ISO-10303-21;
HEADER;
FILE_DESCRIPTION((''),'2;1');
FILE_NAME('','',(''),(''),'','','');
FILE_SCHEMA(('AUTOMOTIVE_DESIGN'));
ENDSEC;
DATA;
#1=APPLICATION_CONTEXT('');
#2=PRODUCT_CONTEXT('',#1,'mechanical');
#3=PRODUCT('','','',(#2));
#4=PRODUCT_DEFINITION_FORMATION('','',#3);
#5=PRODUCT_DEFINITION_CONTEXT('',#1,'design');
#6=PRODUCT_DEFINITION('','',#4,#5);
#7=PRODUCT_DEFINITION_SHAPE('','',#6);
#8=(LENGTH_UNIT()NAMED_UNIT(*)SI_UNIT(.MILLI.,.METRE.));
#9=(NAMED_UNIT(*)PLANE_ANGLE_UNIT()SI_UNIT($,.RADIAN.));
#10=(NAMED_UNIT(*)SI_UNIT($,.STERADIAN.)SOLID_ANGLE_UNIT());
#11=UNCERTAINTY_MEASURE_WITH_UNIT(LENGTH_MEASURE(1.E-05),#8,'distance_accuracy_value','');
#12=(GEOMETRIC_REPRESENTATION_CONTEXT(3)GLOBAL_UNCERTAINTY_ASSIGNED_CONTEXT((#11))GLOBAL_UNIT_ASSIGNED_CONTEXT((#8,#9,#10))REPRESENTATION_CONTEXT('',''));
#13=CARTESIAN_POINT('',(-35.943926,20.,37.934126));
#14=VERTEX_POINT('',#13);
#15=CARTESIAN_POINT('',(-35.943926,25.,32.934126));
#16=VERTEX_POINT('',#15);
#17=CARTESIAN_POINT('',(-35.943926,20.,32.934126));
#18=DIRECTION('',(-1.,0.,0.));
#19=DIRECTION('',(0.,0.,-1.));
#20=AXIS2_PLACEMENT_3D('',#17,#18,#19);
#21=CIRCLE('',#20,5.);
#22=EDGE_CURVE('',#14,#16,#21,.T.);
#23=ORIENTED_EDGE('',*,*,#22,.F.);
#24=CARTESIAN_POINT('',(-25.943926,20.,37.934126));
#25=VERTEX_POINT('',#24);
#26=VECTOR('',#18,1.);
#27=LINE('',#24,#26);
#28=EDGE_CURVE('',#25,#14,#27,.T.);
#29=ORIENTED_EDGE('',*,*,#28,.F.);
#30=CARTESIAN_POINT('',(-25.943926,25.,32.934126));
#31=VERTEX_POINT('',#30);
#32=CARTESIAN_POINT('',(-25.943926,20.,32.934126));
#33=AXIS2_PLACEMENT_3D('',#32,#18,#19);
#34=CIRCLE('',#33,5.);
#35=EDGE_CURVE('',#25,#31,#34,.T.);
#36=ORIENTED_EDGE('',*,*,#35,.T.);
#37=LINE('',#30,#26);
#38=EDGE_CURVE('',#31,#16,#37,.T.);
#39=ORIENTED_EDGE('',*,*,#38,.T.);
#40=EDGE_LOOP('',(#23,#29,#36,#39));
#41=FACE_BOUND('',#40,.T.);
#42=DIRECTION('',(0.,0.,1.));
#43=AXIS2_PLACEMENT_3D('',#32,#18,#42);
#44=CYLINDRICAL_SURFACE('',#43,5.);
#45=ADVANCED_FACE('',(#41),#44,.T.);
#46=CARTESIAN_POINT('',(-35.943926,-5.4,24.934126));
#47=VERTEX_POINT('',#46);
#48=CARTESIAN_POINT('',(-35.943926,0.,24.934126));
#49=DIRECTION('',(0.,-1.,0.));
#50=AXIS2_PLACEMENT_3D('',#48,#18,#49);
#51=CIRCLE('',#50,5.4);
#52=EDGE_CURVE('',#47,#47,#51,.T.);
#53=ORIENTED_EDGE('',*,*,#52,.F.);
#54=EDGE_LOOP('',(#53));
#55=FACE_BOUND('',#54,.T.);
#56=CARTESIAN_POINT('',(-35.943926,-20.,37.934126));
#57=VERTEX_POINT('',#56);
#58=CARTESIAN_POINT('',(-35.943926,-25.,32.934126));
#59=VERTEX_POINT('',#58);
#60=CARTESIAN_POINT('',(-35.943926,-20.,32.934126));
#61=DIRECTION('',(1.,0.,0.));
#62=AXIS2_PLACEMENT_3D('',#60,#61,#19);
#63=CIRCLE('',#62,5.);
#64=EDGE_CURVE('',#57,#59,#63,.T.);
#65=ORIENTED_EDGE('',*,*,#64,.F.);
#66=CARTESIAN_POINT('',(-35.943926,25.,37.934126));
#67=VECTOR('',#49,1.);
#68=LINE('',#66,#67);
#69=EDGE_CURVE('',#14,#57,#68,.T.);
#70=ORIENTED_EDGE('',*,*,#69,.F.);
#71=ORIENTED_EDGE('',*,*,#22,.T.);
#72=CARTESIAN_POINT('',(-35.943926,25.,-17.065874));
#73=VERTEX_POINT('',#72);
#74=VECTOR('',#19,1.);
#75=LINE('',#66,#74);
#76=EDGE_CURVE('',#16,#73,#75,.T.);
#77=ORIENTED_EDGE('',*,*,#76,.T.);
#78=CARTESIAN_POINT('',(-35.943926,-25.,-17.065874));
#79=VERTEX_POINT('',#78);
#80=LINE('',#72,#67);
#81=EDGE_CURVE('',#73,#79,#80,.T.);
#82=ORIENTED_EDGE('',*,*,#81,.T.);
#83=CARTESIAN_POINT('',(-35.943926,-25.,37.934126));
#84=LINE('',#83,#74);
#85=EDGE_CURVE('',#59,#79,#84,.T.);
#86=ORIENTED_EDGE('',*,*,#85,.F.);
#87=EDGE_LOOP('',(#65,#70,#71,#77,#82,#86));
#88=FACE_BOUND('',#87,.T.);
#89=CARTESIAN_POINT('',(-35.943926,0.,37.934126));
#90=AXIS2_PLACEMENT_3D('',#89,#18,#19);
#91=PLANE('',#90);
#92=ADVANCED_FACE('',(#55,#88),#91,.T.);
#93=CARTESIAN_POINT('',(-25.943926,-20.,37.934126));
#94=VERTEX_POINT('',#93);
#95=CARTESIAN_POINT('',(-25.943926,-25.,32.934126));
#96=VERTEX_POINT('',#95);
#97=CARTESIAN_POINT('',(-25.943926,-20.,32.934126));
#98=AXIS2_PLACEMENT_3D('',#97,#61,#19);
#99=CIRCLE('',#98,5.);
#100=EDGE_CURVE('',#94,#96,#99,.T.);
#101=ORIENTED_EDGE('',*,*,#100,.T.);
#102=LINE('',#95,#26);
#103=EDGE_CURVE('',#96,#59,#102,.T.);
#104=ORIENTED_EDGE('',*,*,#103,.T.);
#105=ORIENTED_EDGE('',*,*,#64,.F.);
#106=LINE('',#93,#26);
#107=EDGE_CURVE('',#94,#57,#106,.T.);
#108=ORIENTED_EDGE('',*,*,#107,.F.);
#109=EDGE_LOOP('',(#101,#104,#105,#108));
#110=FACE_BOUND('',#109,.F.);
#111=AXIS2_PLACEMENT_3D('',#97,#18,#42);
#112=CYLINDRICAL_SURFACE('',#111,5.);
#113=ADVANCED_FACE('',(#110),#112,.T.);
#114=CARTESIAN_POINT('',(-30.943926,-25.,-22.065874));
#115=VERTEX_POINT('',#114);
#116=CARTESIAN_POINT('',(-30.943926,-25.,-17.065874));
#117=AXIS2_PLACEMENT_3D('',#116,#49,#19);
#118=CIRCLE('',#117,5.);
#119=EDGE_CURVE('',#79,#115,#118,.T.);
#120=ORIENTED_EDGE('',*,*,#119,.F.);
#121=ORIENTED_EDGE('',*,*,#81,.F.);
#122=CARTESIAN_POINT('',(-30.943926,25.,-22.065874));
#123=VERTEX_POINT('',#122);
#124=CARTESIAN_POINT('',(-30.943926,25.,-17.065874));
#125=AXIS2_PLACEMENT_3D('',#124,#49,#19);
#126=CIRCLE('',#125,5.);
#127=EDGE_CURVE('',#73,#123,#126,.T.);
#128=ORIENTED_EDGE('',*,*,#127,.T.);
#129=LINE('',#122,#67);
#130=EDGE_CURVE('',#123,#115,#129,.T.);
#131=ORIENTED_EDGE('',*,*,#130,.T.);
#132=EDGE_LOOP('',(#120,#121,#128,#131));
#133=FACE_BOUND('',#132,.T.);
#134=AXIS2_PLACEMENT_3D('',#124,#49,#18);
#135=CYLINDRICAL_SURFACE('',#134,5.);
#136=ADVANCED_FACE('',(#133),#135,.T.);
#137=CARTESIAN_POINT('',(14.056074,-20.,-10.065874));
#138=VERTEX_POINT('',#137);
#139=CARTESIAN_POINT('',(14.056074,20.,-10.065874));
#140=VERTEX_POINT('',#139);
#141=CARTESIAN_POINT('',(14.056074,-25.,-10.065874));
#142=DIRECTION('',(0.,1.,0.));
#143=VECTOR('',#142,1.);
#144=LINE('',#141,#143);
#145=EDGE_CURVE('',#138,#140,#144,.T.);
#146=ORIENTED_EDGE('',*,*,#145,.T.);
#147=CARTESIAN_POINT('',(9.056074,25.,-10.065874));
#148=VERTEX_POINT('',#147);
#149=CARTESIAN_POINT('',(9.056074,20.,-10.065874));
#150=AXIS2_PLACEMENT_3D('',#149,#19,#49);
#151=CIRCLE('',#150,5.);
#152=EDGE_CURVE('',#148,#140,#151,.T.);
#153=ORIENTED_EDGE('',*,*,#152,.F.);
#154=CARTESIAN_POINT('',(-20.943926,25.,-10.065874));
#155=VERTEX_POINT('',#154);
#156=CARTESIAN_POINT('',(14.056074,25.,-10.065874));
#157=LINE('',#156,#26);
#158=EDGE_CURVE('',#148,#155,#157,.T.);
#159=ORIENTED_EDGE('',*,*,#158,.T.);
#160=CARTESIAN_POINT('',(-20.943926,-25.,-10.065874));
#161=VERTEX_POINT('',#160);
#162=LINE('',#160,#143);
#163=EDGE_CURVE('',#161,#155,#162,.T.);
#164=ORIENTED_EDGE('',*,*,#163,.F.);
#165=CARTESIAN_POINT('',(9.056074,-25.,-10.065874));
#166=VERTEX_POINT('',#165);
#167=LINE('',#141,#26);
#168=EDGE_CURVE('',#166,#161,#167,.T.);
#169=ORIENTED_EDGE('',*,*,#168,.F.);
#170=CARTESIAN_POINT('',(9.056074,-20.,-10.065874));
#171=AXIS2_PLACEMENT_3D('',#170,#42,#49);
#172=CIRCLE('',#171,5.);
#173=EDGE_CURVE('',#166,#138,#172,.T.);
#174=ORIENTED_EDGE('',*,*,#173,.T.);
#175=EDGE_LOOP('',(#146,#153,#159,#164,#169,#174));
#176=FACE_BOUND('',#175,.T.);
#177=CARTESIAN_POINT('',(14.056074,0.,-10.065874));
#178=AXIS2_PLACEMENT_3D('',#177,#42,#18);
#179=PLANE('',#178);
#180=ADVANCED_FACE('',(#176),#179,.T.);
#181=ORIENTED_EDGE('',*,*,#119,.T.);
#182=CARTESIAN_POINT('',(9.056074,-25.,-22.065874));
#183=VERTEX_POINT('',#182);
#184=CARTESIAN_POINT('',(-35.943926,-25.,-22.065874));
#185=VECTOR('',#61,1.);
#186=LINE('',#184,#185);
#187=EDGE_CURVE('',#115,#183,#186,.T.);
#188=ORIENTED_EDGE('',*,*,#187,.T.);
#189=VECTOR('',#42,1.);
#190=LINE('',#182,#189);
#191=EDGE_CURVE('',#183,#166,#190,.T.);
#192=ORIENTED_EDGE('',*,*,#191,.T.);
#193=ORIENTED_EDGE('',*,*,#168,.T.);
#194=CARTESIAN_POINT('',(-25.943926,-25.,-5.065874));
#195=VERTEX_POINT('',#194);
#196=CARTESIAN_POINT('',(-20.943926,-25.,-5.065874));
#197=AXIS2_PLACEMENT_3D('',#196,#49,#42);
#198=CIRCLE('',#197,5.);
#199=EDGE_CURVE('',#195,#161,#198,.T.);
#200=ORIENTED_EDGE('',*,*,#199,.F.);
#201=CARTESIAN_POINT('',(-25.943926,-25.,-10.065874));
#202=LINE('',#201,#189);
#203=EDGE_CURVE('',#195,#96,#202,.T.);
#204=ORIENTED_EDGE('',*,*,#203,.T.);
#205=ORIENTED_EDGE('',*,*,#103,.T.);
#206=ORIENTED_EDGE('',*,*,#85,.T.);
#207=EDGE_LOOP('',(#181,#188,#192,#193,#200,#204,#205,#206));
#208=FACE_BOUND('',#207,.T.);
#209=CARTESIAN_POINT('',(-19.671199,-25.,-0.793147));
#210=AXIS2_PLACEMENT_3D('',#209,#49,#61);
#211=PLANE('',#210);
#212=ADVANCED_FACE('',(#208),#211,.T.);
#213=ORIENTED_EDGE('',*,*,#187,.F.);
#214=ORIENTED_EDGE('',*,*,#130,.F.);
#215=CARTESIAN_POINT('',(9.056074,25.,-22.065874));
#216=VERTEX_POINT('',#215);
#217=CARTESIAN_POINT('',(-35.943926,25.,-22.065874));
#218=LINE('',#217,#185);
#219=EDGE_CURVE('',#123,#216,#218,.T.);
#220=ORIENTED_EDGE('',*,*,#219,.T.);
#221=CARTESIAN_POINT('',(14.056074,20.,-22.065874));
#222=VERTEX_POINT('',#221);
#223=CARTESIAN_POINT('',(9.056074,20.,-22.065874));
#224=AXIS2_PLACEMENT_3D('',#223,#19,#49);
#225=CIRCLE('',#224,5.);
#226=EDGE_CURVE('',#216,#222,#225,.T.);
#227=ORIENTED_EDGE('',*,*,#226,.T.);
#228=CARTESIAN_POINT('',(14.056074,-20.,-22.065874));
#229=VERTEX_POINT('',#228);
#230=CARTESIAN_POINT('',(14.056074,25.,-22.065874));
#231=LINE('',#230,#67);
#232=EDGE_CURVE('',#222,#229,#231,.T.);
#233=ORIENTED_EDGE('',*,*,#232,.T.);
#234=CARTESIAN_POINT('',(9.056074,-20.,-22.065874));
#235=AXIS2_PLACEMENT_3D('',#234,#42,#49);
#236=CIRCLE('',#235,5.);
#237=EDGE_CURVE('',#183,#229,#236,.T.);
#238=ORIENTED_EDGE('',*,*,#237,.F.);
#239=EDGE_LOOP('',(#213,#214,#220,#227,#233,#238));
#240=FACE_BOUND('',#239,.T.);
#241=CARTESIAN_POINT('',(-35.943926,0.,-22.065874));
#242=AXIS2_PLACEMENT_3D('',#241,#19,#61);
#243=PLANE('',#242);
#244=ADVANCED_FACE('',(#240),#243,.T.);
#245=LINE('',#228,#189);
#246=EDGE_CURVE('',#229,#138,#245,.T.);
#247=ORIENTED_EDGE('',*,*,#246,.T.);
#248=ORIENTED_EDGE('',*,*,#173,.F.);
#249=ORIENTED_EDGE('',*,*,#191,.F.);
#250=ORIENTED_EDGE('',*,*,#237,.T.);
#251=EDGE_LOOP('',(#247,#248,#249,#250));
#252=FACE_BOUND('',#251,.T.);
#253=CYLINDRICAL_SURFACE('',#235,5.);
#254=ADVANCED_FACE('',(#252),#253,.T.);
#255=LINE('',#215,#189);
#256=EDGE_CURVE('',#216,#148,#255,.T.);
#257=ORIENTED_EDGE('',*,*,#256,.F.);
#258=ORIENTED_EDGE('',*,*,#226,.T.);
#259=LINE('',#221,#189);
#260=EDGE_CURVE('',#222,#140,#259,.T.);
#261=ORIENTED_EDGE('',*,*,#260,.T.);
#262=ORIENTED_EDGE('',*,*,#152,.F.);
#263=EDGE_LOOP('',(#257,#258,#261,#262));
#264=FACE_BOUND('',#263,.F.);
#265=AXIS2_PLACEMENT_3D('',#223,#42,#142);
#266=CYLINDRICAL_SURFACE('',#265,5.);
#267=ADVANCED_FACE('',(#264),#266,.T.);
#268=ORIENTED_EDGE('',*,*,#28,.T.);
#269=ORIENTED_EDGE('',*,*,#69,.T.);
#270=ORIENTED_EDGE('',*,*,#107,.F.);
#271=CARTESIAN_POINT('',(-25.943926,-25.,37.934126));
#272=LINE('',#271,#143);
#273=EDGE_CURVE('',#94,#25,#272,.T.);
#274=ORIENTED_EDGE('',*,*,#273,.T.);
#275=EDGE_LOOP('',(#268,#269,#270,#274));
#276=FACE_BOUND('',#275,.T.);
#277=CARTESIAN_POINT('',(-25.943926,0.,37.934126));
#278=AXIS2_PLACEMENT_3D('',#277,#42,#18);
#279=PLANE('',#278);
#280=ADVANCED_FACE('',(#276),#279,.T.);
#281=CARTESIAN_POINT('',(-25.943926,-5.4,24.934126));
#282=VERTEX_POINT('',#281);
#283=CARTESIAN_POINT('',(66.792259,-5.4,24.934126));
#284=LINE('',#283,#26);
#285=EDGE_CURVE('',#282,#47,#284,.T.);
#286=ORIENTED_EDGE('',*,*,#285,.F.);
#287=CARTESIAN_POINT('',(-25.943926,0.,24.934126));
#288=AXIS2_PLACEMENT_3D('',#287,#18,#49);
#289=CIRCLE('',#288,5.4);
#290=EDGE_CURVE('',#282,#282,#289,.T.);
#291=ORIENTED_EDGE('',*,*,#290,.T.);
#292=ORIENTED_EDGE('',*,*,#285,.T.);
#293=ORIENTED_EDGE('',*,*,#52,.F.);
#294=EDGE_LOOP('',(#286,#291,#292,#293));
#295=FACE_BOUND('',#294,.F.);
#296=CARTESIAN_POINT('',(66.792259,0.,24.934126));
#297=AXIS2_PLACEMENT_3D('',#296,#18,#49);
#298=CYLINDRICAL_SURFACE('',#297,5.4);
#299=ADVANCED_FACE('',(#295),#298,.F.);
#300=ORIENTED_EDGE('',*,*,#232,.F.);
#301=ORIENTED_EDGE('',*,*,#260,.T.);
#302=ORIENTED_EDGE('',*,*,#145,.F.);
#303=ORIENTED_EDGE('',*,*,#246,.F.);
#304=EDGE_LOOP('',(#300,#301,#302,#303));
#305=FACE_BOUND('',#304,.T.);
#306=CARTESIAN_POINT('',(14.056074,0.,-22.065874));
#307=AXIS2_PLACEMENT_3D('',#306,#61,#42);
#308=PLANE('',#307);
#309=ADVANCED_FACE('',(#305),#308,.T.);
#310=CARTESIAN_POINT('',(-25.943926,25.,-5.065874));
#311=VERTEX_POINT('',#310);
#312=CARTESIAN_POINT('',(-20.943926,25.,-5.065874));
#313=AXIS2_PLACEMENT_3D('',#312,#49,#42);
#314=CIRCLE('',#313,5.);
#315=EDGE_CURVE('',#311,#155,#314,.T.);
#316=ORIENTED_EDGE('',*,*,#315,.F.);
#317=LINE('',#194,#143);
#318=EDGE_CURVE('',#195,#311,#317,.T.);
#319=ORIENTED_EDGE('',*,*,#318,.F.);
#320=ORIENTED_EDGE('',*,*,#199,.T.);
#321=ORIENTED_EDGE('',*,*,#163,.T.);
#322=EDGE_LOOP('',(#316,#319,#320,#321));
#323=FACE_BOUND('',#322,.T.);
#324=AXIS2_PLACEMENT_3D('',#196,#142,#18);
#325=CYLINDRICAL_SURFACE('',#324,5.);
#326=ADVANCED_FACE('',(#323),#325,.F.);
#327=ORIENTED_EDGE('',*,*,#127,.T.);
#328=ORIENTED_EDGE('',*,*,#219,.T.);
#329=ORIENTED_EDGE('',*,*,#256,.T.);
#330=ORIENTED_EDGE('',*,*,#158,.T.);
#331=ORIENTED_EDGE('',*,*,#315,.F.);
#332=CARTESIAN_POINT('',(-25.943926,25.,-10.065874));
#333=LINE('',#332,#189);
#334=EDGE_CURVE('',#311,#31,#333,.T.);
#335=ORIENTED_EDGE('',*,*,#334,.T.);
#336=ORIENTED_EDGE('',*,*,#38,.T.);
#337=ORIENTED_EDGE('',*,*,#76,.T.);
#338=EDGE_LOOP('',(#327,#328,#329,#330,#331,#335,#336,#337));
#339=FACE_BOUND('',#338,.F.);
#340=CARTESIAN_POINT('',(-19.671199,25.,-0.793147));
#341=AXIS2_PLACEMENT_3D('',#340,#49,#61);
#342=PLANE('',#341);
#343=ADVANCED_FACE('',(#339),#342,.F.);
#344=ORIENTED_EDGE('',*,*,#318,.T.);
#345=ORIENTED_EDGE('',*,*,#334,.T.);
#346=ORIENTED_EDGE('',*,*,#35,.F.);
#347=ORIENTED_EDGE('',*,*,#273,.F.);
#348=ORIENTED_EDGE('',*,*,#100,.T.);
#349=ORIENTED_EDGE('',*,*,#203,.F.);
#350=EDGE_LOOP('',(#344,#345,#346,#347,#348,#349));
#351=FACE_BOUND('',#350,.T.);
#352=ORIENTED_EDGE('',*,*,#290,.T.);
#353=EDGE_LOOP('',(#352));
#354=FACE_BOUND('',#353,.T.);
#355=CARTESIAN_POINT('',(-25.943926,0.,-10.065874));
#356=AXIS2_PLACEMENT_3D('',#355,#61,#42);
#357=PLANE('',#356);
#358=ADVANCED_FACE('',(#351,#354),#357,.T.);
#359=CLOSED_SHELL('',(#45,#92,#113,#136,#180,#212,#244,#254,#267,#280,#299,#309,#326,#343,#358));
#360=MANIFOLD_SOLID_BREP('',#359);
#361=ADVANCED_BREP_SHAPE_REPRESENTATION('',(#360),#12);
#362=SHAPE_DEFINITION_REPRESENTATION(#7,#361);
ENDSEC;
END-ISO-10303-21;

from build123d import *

# Parameters (mm, degrees)
F1_DEPTH = 25
F3_D     = 10.8
F4_R     = 5


with BuildPart() as f1:
    # F0 (on Front) → F1 (new body, symmetric)
    with BuildSketch(Plane.XZ):
        Polygon((-25.943926, 37.934126), (-35.943926, 37.934126), (-35.943926, -22.065874), (14.056074, -22.065874), (14.056074, -10.065874), (-25.943926, -10.065874), align=None)
    extrude(amount=F1_DEPTH, both=True)

    # F3 (through all)
    with Locations(Plane.YZ.offset(-25.943926)):
        with Locations((0, 24.934126)):
            Hole(F3_D / 2)

    # F4
    f4_edges = [f1.edges().sort_by_distance(p)[0] for p in [
        (-30.943926, -25, 37.934126),
        (-30.943926, 25, 37.934126),
        (14.056074, -25, -16.065874),
        (14.056074, 25, -16.065874),
        (-35.943926, 0, -22.065874),
        (-25.943926, 0, -10.065874),
    ]]
    fillet(f4_edges, radius=F4_R)


solid = f1.part
